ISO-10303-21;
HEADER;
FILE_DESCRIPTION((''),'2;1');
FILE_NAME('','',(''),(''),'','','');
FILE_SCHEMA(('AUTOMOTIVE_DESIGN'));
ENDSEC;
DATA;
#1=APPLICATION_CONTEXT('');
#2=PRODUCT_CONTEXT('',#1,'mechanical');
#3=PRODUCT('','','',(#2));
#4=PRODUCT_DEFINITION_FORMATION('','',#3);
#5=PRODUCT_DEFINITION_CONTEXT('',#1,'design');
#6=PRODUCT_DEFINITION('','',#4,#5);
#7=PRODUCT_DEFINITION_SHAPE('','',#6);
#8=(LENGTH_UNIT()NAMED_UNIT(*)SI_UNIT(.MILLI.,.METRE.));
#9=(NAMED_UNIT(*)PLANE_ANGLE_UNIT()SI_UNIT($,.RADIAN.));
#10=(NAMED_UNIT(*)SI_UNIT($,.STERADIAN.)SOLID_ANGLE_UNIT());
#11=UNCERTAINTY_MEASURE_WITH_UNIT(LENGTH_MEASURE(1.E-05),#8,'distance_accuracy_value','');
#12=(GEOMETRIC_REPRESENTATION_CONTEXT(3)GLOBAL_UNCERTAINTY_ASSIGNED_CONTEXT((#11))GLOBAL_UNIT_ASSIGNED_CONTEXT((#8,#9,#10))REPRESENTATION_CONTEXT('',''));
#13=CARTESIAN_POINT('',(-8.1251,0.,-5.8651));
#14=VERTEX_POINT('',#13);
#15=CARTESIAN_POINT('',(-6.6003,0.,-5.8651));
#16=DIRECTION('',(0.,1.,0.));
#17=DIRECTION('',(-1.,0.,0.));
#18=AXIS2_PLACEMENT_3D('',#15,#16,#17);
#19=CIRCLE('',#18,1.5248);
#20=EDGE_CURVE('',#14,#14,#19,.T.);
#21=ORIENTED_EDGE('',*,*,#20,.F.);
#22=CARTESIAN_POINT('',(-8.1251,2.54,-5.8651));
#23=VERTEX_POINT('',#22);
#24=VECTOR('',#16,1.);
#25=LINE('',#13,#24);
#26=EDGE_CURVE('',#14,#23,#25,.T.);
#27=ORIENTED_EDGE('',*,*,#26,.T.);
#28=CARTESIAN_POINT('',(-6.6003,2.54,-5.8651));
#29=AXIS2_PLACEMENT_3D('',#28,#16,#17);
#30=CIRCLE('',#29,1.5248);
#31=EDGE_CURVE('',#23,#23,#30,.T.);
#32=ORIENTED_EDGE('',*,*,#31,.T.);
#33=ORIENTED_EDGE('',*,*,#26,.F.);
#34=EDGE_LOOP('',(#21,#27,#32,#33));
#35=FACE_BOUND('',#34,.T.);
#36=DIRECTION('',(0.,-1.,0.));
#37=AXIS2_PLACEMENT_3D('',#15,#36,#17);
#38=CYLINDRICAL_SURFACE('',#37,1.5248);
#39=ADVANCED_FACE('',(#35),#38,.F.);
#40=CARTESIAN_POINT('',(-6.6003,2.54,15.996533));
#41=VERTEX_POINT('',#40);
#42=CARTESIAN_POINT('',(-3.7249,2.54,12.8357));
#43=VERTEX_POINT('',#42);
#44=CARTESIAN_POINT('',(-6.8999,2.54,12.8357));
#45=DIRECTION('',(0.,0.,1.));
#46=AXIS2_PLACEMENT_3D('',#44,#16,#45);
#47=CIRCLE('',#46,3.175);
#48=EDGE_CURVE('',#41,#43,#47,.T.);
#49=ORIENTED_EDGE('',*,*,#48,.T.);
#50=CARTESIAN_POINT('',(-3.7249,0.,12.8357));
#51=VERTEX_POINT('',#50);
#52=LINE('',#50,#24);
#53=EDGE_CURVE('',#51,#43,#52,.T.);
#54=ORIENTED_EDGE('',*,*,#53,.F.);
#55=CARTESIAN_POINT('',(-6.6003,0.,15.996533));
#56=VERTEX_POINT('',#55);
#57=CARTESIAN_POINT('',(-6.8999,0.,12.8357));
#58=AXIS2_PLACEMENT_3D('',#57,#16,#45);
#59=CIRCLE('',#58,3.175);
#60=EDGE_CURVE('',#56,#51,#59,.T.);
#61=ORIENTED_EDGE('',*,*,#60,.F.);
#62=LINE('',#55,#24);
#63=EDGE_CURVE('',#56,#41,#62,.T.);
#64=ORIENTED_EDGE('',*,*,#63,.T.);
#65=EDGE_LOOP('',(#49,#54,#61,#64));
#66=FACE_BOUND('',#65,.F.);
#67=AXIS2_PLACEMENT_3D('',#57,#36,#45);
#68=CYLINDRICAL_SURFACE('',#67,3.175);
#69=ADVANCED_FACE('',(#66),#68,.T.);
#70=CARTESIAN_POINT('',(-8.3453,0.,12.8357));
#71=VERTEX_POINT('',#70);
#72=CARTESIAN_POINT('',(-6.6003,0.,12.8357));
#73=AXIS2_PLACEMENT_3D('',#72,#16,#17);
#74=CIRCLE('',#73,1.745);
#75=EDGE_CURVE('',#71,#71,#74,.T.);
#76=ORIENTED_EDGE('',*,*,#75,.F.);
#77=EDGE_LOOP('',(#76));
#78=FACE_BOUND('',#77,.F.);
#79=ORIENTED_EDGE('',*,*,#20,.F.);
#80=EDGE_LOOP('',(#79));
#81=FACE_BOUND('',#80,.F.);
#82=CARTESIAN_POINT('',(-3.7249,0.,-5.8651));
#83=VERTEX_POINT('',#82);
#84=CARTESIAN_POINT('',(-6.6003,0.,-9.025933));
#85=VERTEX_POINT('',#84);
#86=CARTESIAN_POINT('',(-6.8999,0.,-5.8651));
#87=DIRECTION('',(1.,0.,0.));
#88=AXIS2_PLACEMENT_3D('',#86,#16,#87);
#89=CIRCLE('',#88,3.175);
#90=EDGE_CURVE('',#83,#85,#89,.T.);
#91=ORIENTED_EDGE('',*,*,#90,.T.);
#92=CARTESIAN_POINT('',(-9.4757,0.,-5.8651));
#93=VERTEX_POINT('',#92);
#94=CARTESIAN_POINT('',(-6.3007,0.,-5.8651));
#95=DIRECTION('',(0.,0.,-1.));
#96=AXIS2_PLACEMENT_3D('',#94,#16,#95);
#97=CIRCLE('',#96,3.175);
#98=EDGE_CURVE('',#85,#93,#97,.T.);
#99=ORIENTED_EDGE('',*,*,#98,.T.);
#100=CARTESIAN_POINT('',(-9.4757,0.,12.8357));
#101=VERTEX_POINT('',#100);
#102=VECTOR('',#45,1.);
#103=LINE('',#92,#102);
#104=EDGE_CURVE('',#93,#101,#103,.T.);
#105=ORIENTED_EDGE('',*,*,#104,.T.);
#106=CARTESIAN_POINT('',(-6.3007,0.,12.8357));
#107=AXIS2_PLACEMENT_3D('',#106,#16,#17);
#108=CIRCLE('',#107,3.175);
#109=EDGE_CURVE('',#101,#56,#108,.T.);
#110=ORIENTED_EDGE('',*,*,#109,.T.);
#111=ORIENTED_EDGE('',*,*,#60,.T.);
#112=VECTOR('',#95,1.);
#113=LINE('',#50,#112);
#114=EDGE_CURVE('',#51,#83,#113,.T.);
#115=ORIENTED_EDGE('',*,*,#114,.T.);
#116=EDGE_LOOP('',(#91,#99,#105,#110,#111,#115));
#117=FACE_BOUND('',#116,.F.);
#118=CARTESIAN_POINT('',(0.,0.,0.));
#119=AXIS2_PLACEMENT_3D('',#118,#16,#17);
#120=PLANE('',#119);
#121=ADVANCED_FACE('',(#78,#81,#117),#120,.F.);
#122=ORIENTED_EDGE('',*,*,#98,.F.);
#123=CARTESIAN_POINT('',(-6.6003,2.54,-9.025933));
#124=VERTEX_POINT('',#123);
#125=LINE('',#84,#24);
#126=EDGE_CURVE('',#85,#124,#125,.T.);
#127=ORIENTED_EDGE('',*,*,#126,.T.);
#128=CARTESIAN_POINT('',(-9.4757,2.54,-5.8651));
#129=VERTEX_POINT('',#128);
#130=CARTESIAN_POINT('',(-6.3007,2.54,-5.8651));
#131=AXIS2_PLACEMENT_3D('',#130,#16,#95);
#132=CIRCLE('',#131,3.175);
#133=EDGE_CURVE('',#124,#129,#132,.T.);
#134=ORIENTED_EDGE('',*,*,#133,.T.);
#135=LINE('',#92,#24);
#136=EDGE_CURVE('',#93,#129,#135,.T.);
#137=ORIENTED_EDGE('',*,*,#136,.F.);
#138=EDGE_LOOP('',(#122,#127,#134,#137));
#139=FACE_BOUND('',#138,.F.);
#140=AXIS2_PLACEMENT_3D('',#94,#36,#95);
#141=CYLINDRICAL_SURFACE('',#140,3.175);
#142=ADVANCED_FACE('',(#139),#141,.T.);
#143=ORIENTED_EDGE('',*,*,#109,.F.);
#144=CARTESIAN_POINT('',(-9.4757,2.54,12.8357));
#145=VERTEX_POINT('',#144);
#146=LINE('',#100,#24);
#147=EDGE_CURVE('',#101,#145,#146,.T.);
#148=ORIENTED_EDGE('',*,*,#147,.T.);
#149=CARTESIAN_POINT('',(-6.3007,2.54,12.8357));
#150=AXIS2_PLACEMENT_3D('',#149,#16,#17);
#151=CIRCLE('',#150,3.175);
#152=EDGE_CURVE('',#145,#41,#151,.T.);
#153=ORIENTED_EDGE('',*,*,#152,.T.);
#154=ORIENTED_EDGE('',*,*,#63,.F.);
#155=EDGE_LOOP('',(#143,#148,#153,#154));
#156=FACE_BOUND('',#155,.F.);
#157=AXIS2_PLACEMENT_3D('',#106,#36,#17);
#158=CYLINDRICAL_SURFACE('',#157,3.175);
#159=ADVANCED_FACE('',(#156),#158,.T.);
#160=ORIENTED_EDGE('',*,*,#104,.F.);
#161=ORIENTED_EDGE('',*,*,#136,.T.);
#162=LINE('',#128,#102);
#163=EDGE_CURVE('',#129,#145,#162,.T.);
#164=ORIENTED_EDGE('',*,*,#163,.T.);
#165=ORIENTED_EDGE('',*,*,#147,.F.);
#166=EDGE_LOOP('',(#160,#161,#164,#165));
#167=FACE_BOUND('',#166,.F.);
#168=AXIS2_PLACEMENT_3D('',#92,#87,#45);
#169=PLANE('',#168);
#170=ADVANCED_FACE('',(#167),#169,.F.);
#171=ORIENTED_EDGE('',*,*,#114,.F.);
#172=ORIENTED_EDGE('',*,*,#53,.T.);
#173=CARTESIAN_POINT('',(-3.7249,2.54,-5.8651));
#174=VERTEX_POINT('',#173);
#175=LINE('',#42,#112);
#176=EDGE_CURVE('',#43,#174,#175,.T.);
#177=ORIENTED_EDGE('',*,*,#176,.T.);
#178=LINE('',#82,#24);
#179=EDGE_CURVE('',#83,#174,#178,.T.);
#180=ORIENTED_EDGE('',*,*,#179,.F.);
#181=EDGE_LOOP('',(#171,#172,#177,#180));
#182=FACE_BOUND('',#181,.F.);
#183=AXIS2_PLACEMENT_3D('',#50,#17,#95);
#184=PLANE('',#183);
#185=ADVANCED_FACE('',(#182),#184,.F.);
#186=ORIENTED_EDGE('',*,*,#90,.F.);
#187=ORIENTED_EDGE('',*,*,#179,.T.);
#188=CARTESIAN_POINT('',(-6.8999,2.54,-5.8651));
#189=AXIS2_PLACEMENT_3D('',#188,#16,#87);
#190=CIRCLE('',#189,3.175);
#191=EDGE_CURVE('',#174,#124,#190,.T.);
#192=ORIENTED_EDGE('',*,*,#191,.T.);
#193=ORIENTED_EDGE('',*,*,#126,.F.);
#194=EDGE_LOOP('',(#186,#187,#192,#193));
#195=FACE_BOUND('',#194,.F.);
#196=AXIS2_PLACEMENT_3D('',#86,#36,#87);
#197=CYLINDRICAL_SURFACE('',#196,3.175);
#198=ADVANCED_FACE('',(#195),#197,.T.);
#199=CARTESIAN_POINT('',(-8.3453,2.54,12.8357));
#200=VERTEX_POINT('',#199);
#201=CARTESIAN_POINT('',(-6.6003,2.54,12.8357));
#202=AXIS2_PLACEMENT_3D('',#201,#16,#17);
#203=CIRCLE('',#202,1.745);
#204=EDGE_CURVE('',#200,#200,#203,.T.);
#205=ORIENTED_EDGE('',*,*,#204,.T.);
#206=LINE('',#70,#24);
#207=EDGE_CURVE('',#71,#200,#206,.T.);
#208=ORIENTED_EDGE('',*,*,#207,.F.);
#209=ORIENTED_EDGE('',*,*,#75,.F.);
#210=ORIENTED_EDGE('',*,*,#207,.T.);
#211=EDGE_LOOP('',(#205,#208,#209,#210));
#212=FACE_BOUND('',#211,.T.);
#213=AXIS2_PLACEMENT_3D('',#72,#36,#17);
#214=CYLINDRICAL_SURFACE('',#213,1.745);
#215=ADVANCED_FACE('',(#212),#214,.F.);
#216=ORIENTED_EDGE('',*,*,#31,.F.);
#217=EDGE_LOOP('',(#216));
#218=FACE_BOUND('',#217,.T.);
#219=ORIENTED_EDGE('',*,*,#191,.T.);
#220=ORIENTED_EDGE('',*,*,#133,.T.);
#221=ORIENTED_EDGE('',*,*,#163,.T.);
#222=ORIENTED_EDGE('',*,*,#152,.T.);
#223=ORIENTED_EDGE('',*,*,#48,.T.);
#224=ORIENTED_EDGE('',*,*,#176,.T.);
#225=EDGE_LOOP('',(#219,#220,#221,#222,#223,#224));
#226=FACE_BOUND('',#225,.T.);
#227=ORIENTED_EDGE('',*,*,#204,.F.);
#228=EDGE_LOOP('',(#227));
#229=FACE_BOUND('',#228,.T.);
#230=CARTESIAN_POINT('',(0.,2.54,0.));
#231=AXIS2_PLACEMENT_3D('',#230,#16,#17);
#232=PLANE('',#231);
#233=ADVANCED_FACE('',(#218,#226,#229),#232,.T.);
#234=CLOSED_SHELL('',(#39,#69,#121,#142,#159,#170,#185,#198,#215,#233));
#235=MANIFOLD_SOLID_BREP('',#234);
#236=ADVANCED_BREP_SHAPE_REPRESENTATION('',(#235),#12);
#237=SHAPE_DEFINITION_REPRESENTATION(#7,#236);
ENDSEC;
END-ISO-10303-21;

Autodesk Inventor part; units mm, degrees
ref_plane "YZ Plane" through (0, 0, 0) normal (1, 0, 0) x (0, 1, 0)
ref_plane "XZ Plane" through (0, 0, 0) normal (0, 1, 0) x (-1, 0, 0)
ref_plane "XY Plane" through (0, 0, 0) normal (0, 0, 1) x (1, 0, 0)
sketch "Sketch1" plane through (0, 0, 0) normal (0, 1, 0) x (-1, 0, 0)
  line L0 (6.3007, 16.0107) -> (6.8999, 16.0107)
  line L1 (3.7249, 12.8357) -> (3.7249, -5.8651)
  line L2 (6.8999, -9.0401) -> (6.3007, -9.0401)
  line L3 (9.4757, -5.8651) -> (9.4757, 12.8357)
  arc A0 (9.4757, 12.8357) -> (6.3007, 16.0107) centre (6.3007, 12.8357) ccw
  arc A1 (6.3007, -9.0401) -> (9.4757, -5.8651) centre (6.3007, -5.8651) ccw
  arc A2 (3.7249, -5.8651) -> (6.8999, -9.0401) centre (6.8999, -5.8651) ccw
  arc A3 (6.8999, 16.0107) -> (3.7249, 12.8357) centre (6.8999, 12.8357) ccw
  circle A4 centre (6.6003, 12.8357) radius 1.745
  circle A5 centre (6.6003, -5.8651) radius 1.5248
  point P0 (0, 0)
  point P1 (6.6003, 15.9965)
  point P2 (6.6003, -9.0259)
  dimension "d0" = 3.175
extrude "Extrusion1" add sketch "Sketch1" along normal blind 2.54 contours A0 L3 A1 A2 L1 A3
properties part number "GRIPPER1"
